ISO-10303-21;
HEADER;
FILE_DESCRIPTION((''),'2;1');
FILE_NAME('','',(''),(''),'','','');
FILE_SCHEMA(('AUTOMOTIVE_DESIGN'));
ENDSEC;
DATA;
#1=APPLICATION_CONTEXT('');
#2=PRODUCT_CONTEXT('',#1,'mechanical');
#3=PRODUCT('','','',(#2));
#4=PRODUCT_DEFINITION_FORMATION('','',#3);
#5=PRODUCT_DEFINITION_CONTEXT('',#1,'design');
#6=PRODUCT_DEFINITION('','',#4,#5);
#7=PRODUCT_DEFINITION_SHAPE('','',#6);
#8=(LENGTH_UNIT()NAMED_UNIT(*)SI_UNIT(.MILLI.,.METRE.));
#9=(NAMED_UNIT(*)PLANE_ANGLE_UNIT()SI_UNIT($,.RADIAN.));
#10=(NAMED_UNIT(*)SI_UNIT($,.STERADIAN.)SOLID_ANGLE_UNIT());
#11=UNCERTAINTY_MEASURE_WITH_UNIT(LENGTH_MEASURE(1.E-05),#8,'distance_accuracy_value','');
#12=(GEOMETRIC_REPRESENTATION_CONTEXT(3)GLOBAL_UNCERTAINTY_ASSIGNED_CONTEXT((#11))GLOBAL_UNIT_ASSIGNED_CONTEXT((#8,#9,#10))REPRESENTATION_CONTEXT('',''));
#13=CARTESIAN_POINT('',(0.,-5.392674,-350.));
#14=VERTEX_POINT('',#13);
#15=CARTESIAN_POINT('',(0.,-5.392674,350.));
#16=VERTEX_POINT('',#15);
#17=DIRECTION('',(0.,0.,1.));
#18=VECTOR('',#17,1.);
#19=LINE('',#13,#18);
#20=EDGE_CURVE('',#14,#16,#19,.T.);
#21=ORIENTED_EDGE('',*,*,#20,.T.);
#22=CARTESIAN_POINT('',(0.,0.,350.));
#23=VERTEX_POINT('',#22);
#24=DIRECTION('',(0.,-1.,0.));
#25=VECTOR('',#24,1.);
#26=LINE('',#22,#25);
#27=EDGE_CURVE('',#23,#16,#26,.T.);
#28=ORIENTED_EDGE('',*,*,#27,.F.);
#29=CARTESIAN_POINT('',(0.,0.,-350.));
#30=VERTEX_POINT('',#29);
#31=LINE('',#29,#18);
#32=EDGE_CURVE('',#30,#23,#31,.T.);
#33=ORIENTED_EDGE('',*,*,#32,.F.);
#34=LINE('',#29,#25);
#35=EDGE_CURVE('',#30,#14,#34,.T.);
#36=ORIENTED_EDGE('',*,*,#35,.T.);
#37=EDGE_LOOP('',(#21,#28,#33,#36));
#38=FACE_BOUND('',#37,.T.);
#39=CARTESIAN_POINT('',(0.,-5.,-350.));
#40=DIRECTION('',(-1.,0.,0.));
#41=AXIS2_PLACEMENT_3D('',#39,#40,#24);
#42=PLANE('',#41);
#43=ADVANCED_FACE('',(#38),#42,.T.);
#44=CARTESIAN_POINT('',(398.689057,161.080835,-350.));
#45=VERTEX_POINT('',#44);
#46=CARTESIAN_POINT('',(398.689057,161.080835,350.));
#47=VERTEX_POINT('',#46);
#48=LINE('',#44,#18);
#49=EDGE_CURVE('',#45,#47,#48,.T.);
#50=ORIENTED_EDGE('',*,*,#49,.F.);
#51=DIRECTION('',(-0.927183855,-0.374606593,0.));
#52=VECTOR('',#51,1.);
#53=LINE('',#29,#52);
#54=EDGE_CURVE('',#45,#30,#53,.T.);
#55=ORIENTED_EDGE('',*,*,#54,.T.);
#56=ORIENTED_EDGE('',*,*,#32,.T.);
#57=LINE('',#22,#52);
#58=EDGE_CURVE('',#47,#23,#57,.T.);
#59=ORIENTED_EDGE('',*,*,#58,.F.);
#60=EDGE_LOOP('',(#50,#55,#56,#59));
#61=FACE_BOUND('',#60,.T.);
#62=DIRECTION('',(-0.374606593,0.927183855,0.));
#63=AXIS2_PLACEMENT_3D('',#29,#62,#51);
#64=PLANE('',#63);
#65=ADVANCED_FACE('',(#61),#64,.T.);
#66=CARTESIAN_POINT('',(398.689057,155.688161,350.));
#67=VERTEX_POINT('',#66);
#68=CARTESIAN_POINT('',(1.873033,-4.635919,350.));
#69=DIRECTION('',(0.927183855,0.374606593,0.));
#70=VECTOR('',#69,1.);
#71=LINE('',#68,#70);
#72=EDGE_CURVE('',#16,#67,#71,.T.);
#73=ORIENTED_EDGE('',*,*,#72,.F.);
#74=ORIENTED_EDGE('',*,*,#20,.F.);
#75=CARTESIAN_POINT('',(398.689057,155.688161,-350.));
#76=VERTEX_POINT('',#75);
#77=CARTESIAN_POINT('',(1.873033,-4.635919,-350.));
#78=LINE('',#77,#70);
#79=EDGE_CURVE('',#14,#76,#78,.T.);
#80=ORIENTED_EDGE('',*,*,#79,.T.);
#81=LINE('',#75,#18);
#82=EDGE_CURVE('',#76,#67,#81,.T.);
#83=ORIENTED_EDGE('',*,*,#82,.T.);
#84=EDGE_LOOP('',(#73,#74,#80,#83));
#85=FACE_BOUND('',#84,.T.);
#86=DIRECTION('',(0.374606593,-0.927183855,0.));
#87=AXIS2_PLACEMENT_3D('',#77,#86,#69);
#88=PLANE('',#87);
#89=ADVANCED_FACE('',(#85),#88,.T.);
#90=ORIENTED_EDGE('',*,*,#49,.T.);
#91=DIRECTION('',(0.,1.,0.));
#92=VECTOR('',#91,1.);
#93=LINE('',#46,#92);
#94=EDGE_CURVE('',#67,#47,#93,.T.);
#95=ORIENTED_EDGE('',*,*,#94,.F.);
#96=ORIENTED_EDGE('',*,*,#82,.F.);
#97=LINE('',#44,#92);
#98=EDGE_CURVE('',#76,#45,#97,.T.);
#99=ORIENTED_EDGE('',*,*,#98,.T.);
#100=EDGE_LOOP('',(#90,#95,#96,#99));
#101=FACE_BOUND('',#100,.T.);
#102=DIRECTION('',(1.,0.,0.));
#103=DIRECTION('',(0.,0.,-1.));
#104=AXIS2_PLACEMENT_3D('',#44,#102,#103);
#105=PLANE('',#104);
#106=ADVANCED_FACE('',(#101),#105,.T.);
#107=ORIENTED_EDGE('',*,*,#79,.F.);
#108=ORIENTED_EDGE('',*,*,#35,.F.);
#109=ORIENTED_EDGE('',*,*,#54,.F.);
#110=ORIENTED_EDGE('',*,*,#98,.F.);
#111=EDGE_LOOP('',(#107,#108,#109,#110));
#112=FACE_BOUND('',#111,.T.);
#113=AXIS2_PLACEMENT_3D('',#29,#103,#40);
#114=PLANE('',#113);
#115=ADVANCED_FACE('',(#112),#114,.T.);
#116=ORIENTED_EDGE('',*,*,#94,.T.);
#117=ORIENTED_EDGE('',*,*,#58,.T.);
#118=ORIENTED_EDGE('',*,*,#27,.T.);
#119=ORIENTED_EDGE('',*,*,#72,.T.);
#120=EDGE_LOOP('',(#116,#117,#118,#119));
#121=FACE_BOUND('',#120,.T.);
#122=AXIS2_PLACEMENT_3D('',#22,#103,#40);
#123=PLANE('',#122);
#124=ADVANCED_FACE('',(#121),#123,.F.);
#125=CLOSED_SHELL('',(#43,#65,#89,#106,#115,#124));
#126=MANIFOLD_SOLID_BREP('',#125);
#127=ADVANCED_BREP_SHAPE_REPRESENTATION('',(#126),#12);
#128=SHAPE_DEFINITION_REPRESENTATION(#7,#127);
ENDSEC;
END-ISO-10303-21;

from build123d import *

# Parameters (mm, degrees)
BOSS_EXTRUDE1_DEPTH      = 350
BOSS_EXTRUDE1_DEPTH_BACK = 350


with BuildPart() as part:
    # Sketch1 → Boss-Extrude1 (new, two sides: drawn at the far end of the back side and taken through both)
    with BuildSketch(Plane.XY.offset(-BOSS_EXTRUDE1_DEPTH_BACK)):
        Polygon((0, 0), (398.689057464, 161.080835169), (398.689057464, 155.688161455), (1.873032967, -4.635919273), (0, -5.392673713), (0, -5), align=None)
    extrude(amount=BOSS_EXTRUDE1_DEPTH + BOSS_EXTRUDE1_DEPTH_BACK)


solid = part.part
